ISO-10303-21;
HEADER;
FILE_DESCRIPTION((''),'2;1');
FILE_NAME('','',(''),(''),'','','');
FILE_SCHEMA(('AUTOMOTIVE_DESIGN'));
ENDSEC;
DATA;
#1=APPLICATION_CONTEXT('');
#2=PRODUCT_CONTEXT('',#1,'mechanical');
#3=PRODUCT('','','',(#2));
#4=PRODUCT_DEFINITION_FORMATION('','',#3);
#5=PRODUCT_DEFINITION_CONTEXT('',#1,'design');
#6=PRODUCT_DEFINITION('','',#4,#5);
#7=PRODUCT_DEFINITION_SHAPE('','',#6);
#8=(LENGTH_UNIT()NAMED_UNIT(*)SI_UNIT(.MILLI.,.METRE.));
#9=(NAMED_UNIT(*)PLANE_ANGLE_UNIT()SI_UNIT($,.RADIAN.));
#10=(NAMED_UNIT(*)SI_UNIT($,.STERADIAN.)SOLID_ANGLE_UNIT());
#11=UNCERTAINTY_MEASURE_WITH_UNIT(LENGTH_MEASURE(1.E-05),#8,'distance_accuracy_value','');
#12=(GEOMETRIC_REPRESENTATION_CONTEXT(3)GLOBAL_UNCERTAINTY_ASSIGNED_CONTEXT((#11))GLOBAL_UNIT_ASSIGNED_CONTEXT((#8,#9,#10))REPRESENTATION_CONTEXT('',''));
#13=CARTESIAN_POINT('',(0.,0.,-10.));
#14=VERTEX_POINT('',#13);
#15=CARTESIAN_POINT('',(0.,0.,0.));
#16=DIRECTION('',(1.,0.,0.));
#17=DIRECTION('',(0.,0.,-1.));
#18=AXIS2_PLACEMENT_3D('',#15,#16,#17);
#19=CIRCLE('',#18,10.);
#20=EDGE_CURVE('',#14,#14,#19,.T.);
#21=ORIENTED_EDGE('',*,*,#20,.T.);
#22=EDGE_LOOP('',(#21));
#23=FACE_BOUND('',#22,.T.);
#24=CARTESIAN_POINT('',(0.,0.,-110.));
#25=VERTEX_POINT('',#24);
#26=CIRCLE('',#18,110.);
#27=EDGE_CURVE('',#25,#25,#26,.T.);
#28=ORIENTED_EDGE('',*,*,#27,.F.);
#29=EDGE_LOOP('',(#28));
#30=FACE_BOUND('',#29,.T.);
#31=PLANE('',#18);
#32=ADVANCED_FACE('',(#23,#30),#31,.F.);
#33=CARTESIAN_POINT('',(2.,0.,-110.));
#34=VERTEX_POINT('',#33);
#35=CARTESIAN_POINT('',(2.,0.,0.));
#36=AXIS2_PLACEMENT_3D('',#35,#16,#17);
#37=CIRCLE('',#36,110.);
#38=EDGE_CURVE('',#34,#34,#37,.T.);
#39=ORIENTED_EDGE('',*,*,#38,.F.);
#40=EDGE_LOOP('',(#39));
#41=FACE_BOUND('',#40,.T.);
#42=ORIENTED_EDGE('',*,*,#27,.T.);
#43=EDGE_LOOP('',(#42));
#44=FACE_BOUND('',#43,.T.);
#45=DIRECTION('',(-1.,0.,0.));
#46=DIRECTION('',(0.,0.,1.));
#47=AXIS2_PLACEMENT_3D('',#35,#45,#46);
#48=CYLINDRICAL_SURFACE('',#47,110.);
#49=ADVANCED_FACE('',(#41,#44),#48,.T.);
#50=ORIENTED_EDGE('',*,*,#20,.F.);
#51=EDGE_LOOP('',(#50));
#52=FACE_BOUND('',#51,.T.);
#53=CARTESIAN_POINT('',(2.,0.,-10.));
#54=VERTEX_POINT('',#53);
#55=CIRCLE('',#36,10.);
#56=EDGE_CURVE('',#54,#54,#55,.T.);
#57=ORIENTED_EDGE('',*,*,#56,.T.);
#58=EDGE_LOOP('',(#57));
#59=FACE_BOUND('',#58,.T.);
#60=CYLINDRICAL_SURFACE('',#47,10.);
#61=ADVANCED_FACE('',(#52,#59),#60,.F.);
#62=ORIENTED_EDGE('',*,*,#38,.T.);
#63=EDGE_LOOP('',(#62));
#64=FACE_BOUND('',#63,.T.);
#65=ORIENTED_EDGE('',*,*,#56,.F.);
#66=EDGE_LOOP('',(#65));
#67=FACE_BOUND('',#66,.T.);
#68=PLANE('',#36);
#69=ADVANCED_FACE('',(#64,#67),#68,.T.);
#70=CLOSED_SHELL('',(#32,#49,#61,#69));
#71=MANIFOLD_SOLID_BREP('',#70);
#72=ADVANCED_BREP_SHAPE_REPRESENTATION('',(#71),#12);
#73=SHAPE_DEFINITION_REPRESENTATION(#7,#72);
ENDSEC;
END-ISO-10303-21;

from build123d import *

# Parameters (mm, degrees)
SKETCH_1_R      = 110
SKETCH_1_R_2    = 10
EXTRUDE_1_DEPTH = 2


with BuildPart() as part:
    # Эскиз1 → Бобышка-Вытянуть1 (new body)
    with BuildSketch(Plane(origin=(0, 0, 0), x_dir=(0, 0, -1), z_dir=(1, 0, 0))):
        Circle(SKETCH_1_R)
        Circle(SKETCH_1_R_2, mode=Mode.SUBTRACT)
    extrude(amount=EXTRUDE_1_DEPTH)


solid = part.part
